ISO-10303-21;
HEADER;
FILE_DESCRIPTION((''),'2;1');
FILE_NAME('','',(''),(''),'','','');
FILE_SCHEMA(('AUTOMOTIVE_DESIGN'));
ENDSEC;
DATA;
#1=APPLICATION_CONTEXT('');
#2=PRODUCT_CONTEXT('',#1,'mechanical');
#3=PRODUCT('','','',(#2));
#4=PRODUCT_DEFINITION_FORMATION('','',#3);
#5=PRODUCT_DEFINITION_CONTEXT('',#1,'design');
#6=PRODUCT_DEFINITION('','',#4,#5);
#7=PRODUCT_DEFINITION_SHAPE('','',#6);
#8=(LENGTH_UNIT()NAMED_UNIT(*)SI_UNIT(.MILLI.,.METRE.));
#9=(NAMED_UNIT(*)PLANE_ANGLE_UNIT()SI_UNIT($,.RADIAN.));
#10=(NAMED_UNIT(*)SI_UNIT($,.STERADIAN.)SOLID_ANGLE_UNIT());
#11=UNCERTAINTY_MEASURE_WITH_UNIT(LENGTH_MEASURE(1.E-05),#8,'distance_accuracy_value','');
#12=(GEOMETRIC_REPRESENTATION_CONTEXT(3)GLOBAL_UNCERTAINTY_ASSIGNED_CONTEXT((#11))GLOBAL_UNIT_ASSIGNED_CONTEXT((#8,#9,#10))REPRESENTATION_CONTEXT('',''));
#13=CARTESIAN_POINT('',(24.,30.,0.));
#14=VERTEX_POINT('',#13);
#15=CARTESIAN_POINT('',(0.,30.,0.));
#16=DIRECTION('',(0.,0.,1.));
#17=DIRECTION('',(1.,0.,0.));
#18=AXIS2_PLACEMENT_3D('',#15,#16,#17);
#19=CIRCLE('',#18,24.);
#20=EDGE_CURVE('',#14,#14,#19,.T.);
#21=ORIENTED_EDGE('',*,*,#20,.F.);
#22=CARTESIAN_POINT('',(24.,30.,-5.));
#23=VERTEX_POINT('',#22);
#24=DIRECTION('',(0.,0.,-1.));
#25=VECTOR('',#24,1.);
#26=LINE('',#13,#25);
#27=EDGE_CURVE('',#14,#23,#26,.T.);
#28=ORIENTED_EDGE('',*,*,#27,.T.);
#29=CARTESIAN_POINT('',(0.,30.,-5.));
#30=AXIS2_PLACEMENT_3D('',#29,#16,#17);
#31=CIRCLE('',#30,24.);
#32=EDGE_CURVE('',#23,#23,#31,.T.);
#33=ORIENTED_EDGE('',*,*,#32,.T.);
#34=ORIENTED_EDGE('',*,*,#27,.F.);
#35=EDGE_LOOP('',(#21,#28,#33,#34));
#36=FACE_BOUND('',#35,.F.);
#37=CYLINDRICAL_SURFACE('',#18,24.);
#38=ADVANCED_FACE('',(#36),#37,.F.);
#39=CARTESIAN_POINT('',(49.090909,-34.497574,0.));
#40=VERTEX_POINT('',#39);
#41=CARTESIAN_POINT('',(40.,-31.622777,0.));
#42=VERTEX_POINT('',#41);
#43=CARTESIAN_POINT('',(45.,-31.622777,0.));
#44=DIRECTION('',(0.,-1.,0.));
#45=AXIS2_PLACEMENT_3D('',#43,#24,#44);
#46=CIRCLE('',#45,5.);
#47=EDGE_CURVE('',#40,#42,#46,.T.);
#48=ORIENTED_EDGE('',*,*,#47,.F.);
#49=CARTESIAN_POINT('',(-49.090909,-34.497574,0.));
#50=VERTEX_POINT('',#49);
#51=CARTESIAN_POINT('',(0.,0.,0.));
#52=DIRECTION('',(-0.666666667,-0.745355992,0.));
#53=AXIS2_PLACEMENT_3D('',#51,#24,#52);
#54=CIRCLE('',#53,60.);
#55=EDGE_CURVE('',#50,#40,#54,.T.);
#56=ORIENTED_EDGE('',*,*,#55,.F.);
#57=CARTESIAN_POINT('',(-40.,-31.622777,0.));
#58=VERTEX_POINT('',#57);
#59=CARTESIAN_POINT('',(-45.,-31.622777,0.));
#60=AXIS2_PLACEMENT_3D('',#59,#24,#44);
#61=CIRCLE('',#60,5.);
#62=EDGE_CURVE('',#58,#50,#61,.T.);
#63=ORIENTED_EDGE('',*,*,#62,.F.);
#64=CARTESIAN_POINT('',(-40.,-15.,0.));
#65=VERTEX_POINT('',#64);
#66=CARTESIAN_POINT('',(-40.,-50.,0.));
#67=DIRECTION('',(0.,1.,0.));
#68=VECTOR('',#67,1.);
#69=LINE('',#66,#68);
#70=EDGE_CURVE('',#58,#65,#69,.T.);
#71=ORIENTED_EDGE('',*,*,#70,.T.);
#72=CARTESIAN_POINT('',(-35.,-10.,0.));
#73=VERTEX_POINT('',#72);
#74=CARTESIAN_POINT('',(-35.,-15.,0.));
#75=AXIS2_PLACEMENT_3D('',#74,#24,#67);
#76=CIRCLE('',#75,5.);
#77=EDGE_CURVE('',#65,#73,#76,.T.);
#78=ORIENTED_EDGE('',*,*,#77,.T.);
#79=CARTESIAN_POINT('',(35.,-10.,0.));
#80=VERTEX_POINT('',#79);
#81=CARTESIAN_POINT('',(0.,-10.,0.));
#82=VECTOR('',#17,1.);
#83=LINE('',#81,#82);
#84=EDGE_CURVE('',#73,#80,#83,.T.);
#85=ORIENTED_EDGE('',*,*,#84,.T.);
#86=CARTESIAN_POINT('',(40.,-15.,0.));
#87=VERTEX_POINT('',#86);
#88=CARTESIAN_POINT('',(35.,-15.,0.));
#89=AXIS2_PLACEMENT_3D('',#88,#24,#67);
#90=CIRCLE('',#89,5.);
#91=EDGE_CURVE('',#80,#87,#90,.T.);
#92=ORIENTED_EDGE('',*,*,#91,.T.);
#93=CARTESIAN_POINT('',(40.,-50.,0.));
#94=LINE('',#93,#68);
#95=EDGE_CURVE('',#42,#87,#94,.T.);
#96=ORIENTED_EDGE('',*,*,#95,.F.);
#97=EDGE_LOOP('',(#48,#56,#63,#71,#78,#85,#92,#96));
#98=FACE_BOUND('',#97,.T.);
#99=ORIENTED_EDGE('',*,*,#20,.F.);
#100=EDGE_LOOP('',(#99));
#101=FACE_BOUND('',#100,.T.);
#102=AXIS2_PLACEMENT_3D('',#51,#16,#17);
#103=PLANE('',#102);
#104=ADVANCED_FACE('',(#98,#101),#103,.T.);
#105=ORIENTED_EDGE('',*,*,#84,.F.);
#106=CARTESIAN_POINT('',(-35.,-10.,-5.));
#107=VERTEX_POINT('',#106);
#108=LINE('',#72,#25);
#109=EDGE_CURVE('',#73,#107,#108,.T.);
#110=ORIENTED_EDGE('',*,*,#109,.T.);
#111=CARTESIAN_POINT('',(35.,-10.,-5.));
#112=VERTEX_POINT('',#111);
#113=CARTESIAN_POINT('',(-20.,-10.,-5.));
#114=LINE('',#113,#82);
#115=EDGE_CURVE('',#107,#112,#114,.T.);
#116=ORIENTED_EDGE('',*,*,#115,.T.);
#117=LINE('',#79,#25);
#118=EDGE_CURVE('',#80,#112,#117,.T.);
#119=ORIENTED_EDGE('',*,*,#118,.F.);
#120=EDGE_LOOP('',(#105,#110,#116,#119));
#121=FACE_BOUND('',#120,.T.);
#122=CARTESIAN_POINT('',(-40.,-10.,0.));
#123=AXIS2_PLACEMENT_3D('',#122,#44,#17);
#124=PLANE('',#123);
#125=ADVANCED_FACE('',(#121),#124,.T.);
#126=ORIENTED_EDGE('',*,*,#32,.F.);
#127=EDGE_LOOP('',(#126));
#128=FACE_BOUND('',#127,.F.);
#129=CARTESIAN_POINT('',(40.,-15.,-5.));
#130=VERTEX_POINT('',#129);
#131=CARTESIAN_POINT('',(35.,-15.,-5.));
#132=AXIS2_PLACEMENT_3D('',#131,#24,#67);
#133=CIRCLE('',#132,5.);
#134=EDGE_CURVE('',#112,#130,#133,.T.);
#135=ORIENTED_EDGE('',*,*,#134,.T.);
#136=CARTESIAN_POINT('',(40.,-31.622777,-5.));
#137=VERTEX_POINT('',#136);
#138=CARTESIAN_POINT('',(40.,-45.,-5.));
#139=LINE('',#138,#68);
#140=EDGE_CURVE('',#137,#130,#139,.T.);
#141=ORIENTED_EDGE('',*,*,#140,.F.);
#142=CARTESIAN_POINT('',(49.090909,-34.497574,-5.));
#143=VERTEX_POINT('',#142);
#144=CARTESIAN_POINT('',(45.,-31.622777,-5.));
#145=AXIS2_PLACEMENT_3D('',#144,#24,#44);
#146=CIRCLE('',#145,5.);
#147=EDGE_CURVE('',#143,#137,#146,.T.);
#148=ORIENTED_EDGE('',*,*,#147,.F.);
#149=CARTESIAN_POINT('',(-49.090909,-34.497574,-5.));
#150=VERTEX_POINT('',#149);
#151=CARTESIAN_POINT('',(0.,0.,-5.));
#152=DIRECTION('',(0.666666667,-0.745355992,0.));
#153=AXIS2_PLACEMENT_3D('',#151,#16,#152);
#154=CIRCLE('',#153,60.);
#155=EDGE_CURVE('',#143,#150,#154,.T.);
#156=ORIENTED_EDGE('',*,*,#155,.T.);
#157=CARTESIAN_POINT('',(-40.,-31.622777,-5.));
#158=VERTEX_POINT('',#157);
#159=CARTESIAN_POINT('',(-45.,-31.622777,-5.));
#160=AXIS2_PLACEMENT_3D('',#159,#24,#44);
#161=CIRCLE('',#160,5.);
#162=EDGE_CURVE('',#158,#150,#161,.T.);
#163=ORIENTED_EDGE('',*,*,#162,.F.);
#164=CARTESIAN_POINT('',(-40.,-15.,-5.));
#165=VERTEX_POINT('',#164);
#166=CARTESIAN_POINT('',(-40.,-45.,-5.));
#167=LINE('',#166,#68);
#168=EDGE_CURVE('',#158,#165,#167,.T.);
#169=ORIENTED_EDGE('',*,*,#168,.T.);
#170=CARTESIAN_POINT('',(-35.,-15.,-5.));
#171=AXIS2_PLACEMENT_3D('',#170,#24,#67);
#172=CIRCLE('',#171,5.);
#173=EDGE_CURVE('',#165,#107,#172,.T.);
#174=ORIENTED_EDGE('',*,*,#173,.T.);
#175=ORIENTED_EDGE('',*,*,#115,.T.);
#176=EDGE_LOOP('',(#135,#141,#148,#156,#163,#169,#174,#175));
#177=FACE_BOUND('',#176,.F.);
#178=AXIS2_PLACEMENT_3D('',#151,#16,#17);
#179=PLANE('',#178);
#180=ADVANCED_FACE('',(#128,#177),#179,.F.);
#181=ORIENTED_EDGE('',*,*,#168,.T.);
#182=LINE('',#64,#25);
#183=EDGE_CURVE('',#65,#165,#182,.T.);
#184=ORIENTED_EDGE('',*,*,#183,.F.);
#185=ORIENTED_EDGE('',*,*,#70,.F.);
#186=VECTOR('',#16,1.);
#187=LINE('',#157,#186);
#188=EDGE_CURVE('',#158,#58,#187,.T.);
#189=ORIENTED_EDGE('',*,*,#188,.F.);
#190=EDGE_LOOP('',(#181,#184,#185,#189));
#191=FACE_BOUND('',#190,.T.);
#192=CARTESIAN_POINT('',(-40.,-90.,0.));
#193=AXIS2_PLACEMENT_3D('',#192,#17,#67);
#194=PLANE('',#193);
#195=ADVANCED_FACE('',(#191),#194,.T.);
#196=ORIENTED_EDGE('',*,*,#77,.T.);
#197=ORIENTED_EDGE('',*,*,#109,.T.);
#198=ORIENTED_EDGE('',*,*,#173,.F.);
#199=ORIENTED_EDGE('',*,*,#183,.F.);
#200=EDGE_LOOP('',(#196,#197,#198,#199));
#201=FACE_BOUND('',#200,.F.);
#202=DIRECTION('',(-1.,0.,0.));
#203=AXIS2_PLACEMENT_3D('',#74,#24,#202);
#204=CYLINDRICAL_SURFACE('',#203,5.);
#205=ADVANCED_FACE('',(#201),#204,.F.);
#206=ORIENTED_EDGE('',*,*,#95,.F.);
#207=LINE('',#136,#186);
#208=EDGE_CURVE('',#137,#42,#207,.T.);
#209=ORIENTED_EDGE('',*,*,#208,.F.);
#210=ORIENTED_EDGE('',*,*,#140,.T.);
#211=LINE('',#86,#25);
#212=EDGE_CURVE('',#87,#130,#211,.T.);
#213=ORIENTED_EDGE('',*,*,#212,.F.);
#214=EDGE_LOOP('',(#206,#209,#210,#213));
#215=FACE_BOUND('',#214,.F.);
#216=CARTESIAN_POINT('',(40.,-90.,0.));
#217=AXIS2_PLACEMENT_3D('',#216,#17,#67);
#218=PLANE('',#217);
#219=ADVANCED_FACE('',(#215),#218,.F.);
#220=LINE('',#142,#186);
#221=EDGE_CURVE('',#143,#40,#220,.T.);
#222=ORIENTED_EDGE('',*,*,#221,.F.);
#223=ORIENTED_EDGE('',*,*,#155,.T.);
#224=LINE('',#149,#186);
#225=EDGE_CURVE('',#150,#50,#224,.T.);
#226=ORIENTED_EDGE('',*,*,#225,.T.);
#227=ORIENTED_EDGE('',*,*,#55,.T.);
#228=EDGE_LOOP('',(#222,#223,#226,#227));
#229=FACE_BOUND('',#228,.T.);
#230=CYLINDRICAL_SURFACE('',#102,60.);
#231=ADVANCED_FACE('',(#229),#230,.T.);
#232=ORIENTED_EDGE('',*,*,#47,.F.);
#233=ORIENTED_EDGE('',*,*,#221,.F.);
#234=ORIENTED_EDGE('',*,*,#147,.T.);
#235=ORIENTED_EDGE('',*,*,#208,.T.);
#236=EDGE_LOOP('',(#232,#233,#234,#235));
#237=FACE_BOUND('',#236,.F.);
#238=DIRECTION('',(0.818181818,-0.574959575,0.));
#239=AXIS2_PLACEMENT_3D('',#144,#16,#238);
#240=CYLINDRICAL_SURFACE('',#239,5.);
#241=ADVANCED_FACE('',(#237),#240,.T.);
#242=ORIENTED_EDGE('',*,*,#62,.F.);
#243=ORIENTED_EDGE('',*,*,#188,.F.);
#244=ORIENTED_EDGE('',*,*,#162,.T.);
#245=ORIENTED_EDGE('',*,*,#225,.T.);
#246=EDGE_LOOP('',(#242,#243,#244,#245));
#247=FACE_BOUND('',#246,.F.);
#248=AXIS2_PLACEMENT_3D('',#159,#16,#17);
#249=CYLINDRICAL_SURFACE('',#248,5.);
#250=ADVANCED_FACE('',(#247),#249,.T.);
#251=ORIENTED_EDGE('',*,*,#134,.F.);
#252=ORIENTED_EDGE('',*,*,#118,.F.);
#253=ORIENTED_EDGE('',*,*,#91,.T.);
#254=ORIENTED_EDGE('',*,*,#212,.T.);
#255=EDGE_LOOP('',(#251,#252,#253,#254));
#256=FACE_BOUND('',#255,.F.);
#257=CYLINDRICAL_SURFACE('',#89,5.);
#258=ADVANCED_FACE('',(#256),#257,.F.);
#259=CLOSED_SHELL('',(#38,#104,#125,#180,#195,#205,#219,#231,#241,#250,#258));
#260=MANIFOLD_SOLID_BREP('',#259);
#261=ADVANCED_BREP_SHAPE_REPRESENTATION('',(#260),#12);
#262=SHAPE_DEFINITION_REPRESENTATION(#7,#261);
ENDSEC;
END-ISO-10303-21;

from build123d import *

# Parameters (mm, degrees)
F0_R     = 60
F3_DEPTH = 5
F1_R     = 24
F2_W     = 80
F2_H     = 80
F4_DEPTH = 5.001
F5_R     = 5
F6_R     = 5


with BuildPart() as f3:
    # F0 (on Top) → F3 (new body)
    with BuildSketch(Plane.XY):
        Circle(F0_R)
    extrude(amount=-F3_DEPTH)

    # F1 (on Top) + F2 (on Top) → F4 (cut, through all)
    with BuildSketch(Plane.XY):
        with Locations((0, 30)):
            Circle(F1_R)
    with BuildSketch(Plane.XY):
        with Locations((0, -50)):
            Rectangle(F2_W, F2_H)
    extrude(amount=-F4_DEPTH, mode=Mode.SUBTRACT)

    # F5
    f5_edges = [f3.edges().sort_by_distance(p)[0] for p in [
        (-40, -10, -2.5),
        (40, -10, -2.5),
    ]]
    fillet(f5_edges, radius=F5_R)

    # F6
    f6_edges = [f3.edges().sort_by_distance(p)[0] for p in [
        (-40, -44.72136, -2.5),
        (40, -44.72136, -2.5),
    ]]
    fillet(f6_edges, radius=F6_R)


solid = f3.part
